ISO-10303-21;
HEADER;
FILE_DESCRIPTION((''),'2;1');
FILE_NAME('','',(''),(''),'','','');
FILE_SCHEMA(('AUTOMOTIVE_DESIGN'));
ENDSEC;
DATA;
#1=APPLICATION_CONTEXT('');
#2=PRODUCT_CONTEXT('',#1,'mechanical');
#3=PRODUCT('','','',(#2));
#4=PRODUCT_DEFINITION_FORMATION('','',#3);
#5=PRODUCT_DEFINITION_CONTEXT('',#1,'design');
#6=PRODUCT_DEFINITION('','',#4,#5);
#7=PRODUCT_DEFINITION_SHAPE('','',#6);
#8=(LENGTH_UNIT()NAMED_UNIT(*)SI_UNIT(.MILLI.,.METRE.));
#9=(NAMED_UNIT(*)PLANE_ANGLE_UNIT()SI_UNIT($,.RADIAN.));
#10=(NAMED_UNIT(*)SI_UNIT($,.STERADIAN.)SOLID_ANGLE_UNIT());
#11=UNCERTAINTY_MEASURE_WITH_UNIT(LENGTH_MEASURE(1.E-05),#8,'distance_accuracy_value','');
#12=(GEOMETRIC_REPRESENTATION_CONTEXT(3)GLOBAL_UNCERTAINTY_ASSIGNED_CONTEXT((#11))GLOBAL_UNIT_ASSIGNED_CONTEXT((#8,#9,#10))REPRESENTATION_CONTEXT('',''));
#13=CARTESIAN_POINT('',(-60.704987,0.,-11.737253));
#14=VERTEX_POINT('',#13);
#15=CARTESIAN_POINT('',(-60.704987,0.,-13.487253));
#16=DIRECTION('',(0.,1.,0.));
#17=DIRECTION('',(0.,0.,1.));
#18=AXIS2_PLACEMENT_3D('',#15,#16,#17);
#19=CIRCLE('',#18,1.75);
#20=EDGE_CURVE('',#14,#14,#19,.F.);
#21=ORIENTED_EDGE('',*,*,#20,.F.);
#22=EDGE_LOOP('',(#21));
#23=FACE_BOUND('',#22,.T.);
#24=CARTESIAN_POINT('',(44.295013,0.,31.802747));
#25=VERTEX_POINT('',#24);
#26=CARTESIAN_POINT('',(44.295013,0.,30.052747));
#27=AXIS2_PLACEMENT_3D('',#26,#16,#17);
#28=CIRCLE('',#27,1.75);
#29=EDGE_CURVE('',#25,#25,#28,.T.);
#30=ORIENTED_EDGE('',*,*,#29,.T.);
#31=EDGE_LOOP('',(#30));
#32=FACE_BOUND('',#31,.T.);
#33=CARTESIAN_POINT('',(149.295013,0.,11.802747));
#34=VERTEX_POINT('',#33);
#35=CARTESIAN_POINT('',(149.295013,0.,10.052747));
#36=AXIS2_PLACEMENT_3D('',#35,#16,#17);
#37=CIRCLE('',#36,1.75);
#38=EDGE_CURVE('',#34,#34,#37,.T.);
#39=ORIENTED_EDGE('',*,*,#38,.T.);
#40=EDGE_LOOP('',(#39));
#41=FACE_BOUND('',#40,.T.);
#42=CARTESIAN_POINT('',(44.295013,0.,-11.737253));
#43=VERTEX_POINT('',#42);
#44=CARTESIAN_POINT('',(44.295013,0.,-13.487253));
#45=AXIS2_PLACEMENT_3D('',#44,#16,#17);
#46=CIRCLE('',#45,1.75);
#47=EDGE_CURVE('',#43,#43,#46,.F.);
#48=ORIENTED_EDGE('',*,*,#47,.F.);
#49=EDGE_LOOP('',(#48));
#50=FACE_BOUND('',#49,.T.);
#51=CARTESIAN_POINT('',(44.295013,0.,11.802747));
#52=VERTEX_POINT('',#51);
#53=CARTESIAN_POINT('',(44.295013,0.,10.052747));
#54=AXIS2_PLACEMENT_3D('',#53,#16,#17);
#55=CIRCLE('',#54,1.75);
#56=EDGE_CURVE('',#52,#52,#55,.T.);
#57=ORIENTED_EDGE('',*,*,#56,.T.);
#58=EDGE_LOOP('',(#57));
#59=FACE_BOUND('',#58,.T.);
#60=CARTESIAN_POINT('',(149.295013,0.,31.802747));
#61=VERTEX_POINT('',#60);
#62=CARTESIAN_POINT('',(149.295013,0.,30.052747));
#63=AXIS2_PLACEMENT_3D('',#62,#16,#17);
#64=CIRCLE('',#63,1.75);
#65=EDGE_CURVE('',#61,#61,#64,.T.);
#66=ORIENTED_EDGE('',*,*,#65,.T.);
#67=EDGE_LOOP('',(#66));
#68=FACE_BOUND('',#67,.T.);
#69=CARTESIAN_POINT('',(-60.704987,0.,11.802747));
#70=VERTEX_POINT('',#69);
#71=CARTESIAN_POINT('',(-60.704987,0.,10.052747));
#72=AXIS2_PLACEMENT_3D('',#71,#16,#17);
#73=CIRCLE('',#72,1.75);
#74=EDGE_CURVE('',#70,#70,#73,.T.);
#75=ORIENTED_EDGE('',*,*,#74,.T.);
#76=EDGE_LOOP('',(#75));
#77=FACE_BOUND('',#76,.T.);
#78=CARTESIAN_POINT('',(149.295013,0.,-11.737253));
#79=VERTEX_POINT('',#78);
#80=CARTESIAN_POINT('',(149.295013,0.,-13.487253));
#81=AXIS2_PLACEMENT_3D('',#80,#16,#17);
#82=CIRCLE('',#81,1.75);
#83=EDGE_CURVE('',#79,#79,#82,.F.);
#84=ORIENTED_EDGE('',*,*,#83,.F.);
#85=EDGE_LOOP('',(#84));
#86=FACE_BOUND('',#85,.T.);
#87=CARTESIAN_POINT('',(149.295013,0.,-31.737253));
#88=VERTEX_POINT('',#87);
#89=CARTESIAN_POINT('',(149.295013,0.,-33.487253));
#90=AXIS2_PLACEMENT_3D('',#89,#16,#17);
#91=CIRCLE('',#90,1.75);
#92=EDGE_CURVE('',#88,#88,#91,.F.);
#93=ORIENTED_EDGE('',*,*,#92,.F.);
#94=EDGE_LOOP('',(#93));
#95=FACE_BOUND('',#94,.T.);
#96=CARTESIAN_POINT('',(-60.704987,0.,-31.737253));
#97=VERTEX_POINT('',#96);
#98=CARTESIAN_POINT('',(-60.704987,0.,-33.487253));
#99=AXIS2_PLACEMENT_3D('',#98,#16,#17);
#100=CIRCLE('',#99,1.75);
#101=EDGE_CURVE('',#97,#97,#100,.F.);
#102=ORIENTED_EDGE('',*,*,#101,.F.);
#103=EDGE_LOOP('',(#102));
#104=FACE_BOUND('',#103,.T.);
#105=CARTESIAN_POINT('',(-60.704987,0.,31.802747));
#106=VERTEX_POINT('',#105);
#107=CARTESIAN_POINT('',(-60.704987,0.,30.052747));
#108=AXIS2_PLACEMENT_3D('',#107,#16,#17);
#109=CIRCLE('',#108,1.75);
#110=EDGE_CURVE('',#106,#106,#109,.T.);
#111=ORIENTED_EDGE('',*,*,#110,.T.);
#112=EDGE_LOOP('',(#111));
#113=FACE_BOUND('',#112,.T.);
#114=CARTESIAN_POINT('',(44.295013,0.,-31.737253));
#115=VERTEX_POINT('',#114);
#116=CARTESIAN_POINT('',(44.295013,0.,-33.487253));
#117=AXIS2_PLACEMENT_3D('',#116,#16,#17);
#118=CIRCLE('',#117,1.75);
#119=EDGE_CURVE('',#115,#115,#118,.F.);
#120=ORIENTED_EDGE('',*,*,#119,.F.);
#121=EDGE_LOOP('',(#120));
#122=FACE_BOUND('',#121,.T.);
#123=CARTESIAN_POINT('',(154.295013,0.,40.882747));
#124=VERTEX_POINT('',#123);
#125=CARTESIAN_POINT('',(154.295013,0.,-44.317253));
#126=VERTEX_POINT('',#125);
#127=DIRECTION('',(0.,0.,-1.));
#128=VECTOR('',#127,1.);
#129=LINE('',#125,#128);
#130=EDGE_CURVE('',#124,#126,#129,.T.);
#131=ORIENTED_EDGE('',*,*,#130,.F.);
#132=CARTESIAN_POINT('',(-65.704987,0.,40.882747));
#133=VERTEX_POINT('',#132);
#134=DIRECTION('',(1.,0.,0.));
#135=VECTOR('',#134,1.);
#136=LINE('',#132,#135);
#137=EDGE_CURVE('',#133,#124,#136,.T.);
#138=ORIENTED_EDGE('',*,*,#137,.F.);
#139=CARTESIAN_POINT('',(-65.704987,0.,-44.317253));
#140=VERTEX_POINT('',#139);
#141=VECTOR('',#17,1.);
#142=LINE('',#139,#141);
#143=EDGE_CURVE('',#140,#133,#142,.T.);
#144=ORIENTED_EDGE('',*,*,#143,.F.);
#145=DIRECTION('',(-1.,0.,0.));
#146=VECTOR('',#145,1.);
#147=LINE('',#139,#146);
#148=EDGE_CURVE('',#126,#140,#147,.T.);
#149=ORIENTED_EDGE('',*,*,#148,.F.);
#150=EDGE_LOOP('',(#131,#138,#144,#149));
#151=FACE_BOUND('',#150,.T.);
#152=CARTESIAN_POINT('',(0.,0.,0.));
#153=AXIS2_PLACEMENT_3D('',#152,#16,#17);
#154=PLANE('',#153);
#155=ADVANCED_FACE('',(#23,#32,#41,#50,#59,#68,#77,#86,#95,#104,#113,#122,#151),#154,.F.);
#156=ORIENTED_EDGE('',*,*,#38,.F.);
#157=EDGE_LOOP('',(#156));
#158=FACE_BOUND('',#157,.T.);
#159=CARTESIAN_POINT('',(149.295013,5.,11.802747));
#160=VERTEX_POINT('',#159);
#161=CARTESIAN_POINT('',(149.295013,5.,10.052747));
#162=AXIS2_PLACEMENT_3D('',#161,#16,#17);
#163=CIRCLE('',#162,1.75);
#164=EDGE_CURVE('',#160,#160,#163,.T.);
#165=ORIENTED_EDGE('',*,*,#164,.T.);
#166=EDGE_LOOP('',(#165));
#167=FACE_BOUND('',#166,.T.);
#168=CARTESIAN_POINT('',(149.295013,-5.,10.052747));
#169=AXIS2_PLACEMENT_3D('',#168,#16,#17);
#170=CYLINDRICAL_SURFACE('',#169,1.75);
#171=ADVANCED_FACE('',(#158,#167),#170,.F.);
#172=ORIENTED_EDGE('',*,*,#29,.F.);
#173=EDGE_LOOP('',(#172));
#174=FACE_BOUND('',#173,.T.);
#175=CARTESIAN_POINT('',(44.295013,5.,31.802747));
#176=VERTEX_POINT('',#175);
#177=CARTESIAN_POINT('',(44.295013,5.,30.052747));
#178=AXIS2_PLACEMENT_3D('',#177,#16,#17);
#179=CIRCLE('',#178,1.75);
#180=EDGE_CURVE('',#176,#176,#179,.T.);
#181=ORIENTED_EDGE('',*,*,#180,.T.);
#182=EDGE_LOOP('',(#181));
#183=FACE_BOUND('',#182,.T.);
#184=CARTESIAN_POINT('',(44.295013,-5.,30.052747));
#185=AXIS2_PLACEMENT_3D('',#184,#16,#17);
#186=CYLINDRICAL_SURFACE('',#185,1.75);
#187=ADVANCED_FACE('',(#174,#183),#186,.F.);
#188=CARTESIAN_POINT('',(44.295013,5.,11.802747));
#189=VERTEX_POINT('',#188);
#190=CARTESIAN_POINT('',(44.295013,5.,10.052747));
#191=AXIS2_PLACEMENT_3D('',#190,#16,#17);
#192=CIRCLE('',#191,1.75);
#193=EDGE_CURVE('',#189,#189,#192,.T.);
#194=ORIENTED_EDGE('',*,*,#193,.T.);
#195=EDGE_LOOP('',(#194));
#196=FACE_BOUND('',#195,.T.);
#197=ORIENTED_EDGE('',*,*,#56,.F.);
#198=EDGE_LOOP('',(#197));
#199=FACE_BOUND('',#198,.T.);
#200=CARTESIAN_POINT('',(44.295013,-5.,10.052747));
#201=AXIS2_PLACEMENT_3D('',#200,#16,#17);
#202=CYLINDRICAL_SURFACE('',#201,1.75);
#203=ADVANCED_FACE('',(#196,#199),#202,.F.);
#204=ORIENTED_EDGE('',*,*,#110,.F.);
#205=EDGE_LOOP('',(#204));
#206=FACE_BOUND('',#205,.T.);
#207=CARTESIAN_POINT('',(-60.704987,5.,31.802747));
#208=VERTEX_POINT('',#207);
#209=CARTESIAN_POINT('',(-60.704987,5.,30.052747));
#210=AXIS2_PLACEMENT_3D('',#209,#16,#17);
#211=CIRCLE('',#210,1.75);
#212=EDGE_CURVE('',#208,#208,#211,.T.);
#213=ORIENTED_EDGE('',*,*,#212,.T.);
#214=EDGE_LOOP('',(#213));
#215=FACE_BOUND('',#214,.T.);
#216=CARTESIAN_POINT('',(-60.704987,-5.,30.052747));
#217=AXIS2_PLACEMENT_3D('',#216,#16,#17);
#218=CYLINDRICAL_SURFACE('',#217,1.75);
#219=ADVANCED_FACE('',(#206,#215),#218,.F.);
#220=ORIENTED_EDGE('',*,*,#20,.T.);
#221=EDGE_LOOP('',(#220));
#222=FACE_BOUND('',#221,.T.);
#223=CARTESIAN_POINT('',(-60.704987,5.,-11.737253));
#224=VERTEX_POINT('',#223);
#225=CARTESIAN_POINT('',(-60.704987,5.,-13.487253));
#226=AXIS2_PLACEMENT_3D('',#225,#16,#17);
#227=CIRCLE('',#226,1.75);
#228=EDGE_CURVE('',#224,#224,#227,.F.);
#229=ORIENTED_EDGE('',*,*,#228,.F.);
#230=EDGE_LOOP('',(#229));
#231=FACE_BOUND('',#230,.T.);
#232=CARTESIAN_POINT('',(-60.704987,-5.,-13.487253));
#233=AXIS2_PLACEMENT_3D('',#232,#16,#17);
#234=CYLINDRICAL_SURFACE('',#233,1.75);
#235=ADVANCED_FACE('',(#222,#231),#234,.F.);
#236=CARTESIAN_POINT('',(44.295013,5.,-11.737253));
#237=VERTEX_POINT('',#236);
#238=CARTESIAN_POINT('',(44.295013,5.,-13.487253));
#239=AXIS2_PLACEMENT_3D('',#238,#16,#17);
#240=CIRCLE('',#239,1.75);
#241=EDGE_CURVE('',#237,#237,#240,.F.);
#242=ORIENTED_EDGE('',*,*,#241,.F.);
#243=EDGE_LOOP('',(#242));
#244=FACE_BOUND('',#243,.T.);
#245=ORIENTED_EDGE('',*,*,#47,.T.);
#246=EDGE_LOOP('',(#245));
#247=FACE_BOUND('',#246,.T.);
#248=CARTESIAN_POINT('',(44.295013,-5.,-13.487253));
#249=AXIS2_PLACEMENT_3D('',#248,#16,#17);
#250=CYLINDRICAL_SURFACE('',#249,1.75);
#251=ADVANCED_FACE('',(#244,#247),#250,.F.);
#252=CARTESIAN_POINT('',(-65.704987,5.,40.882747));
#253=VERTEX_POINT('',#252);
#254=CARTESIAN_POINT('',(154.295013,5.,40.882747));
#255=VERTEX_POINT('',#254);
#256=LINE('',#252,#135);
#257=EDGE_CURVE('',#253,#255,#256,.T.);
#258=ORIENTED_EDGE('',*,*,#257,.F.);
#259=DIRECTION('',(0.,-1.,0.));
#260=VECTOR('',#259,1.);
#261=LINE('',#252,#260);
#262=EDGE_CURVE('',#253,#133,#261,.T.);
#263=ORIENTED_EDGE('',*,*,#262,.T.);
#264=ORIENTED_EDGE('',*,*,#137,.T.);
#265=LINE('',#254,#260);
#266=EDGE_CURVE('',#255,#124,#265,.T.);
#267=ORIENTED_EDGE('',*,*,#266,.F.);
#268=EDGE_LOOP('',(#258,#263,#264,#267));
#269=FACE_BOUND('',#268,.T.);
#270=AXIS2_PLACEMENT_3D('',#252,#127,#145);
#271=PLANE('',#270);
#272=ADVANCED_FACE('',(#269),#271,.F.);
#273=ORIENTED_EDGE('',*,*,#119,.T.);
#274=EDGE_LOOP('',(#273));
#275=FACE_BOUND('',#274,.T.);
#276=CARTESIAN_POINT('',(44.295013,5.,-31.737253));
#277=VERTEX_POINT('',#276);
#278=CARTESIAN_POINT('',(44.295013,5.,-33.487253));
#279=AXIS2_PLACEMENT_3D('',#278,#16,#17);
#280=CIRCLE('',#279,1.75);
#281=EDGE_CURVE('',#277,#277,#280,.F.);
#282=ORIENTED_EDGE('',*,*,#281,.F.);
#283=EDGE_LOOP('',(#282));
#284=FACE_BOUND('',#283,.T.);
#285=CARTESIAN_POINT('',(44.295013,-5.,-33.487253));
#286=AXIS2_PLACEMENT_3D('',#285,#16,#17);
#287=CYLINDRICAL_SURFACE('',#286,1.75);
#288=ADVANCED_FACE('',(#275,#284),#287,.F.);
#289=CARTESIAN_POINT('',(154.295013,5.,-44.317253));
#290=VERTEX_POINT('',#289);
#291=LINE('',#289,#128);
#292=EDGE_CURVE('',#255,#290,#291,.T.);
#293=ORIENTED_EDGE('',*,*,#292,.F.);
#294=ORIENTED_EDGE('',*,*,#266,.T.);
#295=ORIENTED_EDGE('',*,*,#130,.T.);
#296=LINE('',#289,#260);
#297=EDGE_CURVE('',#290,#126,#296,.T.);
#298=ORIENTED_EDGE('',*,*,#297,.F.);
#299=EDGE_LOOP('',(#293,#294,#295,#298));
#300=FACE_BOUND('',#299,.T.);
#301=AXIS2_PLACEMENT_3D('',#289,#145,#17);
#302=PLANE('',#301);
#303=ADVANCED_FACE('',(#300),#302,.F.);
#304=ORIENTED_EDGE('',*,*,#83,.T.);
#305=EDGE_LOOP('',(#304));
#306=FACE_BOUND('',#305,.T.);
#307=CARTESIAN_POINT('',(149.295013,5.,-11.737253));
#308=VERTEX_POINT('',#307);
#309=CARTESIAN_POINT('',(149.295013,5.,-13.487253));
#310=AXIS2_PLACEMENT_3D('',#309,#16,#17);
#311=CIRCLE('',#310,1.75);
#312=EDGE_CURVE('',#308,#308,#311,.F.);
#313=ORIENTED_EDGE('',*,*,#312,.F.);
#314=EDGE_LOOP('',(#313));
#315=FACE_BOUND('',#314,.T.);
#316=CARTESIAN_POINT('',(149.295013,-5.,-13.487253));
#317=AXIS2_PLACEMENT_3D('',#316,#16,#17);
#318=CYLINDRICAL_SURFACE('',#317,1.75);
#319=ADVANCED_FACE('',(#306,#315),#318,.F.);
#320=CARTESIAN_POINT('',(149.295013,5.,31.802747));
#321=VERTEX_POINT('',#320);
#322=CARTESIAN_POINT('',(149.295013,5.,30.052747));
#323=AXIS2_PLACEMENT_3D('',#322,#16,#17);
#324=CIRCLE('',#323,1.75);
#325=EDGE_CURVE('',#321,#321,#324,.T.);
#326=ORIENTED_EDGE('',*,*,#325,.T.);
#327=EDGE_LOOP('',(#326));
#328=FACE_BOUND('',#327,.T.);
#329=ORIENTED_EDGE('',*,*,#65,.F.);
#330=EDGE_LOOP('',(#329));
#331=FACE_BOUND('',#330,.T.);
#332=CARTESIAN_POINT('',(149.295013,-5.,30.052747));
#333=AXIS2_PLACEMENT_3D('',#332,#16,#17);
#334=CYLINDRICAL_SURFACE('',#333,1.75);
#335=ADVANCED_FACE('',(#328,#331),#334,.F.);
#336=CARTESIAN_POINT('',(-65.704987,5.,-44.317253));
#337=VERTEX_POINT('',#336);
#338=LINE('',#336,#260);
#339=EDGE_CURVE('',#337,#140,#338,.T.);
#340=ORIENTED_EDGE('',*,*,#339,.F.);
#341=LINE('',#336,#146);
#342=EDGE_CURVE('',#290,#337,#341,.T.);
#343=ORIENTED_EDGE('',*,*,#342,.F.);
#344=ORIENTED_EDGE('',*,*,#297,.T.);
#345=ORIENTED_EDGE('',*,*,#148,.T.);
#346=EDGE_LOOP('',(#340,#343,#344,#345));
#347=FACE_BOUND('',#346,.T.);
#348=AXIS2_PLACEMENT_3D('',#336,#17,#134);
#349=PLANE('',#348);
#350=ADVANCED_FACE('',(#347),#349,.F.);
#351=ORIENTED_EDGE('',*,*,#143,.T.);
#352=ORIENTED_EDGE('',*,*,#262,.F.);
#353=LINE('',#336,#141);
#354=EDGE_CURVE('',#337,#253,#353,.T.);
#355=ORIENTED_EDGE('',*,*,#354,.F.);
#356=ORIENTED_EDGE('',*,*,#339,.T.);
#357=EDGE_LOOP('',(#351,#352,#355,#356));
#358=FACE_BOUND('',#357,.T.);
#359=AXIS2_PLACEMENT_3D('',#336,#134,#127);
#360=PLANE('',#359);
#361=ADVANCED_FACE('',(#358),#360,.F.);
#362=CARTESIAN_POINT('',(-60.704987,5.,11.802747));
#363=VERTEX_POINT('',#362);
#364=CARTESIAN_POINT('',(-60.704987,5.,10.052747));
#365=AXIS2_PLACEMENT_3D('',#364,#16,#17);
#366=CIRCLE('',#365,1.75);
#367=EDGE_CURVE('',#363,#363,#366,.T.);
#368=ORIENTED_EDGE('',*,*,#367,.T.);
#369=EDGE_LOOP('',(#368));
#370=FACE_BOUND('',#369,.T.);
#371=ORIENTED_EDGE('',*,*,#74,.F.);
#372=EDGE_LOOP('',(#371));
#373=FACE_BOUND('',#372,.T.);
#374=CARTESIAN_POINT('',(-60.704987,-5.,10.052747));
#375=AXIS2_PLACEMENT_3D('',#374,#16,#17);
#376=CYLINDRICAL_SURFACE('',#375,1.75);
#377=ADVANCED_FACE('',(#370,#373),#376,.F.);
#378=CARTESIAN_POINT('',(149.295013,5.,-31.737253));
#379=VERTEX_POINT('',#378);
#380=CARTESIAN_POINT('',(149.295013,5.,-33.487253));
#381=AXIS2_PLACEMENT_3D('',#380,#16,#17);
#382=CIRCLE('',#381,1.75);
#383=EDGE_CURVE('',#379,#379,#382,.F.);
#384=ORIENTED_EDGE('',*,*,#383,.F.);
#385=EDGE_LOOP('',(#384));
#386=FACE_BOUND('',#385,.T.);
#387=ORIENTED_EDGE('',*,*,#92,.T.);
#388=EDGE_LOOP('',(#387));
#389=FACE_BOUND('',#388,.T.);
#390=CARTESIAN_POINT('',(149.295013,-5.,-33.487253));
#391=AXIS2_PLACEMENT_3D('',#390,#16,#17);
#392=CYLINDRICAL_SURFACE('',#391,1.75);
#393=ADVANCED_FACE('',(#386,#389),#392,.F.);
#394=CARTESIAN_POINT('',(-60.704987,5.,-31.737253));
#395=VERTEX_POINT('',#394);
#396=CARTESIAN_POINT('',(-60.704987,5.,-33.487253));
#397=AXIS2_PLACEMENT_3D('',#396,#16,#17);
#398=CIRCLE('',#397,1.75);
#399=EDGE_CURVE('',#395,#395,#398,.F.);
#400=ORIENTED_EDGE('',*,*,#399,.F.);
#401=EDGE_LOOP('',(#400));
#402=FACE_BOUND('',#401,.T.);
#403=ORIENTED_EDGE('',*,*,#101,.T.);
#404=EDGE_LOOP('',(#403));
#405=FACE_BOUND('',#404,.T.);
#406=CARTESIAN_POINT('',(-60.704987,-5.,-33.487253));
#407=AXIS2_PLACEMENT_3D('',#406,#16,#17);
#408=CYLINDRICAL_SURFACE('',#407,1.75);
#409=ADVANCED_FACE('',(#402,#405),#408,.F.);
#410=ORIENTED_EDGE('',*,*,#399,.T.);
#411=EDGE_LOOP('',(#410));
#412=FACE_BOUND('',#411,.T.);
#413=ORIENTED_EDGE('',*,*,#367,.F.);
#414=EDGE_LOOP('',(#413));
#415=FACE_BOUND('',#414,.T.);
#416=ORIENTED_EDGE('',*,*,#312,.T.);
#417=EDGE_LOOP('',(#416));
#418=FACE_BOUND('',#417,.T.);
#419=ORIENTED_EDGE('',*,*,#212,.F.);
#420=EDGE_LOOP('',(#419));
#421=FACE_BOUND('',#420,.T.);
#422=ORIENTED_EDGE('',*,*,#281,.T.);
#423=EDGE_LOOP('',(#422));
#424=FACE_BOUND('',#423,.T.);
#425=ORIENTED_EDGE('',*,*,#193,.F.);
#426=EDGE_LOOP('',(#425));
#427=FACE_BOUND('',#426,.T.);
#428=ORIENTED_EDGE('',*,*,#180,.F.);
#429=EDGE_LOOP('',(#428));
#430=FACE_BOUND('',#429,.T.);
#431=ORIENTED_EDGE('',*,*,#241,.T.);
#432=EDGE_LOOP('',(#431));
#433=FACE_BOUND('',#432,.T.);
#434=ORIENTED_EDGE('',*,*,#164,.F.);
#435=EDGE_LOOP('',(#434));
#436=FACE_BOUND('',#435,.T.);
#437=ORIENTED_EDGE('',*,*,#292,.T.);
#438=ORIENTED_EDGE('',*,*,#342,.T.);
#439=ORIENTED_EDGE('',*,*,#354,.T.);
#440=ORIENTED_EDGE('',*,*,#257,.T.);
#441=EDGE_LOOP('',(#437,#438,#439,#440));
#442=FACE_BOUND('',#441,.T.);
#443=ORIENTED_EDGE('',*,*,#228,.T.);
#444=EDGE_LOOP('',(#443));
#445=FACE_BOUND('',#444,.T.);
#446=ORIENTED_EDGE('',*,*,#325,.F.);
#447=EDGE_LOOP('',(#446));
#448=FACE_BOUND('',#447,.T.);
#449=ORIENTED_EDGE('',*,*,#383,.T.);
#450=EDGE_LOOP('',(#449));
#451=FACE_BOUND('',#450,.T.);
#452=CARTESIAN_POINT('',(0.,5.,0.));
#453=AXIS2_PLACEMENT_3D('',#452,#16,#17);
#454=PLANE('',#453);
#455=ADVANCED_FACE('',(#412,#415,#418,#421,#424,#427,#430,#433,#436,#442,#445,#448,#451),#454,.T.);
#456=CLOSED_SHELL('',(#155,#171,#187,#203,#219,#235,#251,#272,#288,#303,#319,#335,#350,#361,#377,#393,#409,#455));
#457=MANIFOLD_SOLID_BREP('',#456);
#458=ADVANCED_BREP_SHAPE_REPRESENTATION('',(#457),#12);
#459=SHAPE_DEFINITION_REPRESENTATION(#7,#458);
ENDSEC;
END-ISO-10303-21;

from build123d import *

# Parameters (mm, degrees)
SKETCH_1_W          = 220
SKETCH_1_H          = 85.2
EXTRUDE_1_DEPTH     = 5
SKETCH_2_R          = 1.75
CUT_EXTRUDE_1_DEPTH = 10


with BuildPart() as part:
    # 草图1 → 凸台-拉伸1 (new body)
    with BuildSketch(Plane(origin=(0, 0, 0), x_dir=(1, 0, 0), z_dir=(0, 1, 0))):
        with Locations((44.295012832, 1.717252595)):
            Rectangle(SKETCH_1_W, SKETCH_1_H)
    extrude(amount=EXTRUDE_1_DEPTH)

    # 草图2 → 切除-拉伸1 (cut)
    with BuildSketch(Plane(origin=(0, 5, 0), x_dir=(1, 0, 0), z_dir=(0, 1, 0))):
        with Locations((149.295012832, -30.052747405)):
            Circle(SKETCH_2_R)
        with Locations((149.295012832, -10.052747405)):
            Circle(SKETCH_2_R)
        with Locations((44.295012832, -10.052747405)):
            Circle(SKETCH_2_R)
        with Locations((44.295012832, -30.052747405)):
            Circle(SKETCH_2_R)
        with Locations((44.295012832, 13.487252595)):
            Circle(SKETCH_2_R)
        with Locations((44.295012832, 33.487252595)):
            Circle(SKETCH_2_R)
        with Locations((149.295012832, 13.487252595)):
            Circle(SKETCH_2_R)
        with Locations((149.295012832, 33.487252595)):
            Circle(SKETCH_2_R)
        with Locations((-60.704987168, 33.487252595)):
            Circle(SKETCH_2_R)
        with Locations((-60.704987168, 13.487252595)):
            Circle(SKETCH_2_R)
        with Locations((-60.704987168, -10.052747405)):
            Circle(SKETCH_2_R)
        with Locations((-60.704987168, -30.052747405)):
            Circle(SKETCH_2_R)
    extrude(amount=-CUT_EXTRUDE_1_DEPTH, mode=Mode.SUBTRACT)


solid = part.part
